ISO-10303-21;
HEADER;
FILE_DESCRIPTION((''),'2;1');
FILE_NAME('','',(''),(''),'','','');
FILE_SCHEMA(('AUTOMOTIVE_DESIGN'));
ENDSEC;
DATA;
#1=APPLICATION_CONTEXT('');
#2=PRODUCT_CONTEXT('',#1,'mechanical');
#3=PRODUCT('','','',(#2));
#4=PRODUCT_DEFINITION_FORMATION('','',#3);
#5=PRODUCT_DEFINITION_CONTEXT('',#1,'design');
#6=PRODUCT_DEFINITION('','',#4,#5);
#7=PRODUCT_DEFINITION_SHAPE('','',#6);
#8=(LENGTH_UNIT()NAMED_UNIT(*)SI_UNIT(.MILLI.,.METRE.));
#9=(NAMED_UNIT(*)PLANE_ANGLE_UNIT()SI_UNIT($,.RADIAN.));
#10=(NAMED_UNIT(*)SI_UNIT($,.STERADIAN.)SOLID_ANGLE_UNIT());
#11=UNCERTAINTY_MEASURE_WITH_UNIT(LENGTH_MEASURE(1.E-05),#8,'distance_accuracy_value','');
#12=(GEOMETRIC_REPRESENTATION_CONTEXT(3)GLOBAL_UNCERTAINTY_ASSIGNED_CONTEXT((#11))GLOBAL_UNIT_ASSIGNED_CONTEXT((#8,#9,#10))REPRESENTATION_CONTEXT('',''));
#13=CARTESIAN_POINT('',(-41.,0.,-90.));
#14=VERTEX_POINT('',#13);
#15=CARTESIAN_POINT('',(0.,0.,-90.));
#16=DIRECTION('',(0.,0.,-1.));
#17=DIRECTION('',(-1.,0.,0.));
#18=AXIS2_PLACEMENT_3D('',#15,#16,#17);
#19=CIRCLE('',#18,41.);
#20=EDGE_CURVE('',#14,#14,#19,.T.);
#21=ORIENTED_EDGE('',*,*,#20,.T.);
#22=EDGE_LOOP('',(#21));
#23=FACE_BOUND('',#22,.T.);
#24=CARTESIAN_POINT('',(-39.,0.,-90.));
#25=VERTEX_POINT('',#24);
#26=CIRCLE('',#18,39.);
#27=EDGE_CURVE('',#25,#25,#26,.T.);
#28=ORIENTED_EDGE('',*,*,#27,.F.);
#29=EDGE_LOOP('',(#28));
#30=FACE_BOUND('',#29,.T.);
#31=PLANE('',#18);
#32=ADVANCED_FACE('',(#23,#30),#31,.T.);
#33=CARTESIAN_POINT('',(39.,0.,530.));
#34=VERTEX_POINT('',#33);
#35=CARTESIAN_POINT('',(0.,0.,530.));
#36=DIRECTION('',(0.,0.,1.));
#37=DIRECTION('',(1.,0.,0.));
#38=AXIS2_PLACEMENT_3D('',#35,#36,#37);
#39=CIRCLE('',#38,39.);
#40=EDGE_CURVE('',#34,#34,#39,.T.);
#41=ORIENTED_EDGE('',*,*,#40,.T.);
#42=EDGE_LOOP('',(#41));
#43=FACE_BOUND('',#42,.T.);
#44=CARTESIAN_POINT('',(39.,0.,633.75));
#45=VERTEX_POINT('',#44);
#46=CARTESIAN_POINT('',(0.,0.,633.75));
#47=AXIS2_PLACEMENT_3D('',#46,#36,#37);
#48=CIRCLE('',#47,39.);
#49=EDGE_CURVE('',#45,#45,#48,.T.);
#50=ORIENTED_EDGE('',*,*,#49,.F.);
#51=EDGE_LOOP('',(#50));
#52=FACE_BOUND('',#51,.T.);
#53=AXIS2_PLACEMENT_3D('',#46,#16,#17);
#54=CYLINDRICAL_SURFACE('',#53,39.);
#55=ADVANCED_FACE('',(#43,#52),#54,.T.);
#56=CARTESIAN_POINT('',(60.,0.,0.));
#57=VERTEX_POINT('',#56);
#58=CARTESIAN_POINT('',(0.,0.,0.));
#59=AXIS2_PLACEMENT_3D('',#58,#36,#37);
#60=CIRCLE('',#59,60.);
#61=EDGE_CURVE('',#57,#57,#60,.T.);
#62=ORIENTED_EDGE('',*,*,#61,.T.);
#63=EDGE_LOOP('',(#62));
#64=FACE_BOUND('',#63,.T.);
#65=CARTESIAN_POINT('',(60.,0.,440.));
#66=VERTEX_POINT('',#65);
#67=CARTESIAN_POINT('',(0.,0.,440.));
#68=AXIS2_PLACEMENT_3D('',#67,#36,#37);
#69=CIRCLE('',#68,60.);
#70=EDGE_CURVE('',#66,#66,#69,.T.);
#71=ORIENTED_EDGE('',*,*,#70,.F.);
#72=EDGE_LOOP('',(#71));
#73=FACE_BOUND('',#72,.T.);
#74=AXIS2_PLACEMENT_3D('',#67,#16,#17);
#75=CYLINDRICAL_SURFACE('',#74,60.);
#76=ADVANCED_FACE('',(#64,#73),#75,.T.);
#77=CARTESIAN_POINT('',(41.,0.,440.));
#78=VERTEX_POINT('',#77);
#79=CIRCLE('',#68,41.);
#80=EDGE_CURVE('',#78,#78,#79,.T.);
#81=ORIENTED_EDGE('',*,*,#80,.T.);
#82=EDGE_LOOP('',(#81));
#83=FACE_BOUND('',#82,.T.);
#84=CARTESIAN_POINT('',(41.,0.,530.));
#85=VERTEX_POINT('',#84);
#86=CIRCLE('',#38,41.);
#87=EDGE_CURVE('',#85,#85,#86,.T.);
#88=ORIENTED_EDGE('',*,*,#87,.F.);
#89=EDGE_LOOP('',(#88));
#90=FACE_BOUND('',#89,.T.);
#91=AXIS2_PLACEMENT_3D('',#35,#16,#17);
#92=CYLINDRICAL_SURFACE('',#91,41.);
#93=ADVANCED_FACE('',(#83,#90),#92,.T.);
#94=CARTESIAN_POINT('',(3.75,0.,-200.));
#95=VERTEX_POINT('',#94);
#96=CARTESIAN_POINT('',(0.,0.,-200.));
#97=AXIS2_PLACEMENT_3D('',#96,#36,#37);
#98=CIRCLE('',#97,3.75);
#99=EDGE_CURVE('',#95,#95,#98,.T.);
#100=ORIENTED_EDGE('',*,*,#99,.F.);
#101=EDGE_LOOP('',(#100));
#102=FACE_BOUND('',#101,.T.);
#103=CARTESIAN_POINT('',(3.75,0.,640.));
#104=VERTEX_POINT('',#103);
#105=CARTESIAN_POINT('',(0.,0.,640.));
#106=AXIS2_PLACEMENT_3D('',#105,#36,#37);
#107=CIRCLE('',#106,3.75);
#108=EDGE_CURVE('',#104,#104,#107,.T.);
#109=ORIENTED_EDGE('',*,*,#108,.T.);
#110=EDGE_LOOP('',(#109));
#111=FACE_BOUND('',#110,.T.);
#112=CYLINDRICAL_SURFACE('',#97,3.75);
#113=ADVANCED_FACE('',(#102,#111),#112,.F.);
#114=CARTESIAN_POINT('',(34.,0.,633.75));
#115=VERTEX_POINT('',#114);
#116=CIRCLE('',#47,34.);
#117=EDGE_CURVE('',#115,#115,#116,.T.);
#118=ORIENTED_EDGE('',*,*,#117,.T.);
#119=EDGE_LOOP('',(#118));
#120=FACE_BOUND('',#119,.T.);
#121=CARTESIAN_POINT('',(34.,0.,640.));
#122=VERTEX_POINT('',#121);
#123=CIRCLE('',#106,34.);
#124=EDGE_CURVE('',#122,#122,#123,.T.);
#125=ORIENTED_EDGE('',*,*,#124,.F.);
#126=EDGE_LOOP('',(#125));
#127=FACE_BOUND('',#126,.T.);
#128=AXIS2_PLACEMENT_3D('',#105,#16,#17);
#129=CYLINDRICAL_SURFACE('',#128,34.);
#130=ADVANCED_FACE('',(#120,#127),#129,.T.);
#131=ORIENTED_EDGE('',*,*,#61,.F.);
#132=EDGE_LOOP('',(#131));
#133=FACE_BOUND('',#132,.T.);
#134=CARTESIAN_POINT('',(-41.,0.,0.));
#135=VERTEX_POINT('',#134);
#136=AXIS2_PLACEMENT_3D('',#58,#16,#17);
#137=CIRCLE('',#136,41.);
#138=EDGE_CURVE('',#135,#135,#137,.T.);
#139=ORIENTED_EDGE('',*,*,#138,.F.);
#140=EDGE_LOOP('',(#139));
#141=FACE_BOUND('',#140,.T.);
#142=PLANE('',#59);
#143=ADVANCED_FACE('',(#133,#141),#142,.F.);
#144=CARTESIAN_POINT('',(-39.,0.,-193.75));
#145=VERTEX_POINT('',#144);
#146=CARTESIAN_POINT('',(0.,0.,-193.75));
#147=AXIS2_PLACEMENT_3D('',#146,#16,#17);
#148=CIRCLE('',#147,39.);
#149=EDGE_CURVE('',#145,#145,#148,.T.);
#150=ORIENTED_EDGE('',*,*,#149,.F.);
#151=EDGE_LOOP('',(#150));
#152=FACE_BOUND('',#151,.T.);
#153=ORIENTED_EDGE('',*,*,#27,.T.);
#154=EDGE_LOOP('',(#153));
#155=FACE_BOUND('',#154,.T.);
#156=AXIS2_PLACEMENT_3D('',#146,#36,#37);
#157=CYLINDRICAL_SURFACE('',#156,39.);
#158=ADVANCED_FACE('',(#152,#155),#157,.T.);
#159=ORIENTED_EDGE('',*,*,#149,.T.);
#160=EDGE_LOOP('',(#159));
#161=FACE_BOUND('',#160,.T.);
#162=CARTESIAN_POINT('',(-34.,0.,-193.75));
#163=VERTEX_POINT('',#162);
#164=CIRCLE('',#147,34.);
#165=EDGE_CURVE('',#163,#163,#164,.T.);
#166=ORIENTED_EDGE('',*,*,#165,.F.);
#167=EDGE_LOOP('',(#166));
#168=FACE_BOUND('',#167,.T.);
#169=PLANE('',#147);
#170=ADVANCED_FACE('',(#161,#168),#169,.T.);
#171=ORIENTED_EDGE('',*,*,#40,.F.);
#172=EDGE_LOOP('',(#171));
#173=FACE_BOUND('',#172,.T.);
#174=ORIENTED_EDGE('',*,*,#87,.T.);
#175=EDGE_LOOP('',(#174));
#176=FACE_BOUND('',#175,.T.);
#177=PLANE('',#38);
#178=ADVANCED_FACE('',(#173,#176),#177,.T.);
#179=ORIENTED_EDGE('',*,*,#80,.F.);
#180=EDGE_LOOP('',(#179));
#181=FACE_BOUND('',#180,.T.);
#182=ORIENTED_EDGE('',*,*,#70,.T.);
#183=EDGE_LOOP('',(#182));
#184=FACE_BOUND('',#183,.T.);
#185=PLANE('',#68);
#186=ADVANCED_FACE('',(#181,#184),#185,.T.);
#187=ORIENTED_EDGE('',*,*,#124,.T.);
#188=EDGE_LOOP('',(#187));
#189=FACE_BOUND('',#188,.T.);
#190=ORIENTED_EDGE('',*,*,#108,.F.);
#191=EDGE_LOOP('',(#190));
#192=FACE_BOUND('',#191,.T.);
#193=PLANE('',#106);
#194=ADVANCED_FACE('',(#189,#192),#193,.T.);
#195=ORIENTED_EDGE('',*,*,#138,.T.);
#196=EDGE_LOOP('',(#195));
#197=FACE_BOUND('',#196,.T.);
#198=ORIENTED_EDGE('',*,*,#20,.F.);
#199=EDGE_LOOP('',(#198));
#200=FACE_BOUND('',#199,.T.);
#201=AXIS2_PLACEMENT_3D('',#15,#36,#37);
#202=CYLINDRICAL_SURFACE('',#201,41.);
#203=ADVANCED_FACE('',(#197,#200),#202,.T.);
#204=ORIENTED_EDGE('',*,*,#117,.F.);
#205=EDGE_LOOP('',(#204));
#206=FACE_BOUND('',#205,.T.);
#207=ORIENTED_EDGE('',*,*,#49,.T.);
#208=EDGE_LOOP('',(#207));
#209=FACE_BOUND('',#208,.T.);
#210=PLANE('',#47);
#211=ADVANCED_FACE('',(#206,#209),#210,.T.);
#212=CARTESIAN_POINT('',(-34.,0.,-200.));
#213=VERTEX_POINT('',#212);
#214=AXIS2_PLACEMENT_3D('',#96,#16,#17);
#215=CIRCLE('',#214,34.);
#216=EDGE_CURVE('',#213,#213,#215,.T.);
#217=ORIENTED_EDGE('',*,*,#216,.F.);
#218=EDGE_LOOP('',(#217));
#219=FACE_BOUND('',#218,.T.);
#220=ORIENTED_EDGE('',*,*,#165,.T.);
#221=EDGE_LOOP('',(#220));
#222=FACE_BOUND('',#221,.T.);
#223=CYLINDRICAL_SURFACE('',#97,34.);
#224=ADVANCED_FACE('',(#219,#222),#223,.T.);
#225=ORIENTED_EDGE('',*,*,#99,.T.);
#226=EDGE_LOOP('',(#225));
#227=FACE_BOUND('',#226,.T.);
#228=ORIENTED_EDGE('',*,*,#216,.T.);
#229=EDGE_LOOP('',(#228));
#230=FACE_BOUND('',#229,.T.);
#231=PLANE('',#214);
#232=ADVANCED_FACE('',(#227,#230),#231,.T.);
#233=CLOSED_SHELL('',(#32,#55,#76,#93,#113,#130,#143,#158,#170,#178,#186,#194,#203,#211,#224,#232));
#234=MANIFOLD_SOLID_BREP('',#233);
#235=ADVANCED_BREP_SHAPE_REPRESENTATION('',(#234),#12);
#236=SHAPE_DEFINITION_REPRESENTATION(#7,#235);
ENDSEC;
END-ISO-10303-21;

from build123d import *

# Parameters (mm, degrees)
SKETCH1_R           = 60
BOSS_EXTRUDE1_DEPTH = 440
SKETCH2_R           = 41
BOSS_EXTRUDE2_DEPTH = 90
SKETCH3_R           = 41
BOSS_EXTRUDE3_DEPTH = 90
SKETCH4_R           = 39
BOSS_EXTRUDE4_DEPTH = 103.75
SKETCH5_R           = 39
BOSS_EXTRUDE5_DEPTH = 103.75
SKETCH6_R           = 34
BOSS_EXTRUDE6_DEPTH = 6.25
SKETCH7_R           = 34
BOSS_EXTRUDE7_DEPTH = 6.25
SKETCH8_R           = 3.75
CUT_EXTRUDE1_DEPTH  = 840


with BuildPart() as part:
    # Sketch1 → Boss-Extrude1 (new body)
    with BuildSketch(Plane.XY):
        Circle(SKETCH1_R)
    extrude(amount=BOSS_EXTRUDE1_DEPTH)

    # Sketch2 → Boss-Extrude2 (add)
    with BuildSketch(Plane(origin=(0, 0, 0), x_dir=(-1, 0, 0), z_dir=(0, 0, -1))):
        Circle(SKETCH2_R)
    extrude(amount=BOSS_EXTRUDE2_DEPTH)

    # Sketch3 → Boss-Extrude3 (add)
    with BuildSketch(Plane.XY.offset(440)):
        Circle(SKETCH3_R)
    extrude(amount=BOSS_EXTRUDE3_DEPTH)

    # Sketch4 → Boss-Extrude4 (add)
    with BuildSketch(Plane.XY.offset(530)):
        Circle(SKETCH4_R)
    extrude(amount=BOSS_EXTRUDE4_DEPTH)

    # Sketch5 → Boss-Extrude5 (add)
    with BuildSketch(Plane(origin=(0, 0, -90), x_dir=(-1, 0, 0), z_dir=(0, 0, -1))):
        Circle(SKETCH5_R)
    extrude(amount=BOSS_EXTRUDE5_DEPTH)

    # Sketch6 → Boss-Extrude6 (add)
    with BuildSketch(Plane(origin=(0, 0, -193.75), x_dir=(-1, 0, 0), z_dir=(0, 0, -1))):
        Circle(SKETCH6_R)
    extrude(amount=BOSS_EXTRUDE6_DEPTH)

    # Sketch7 → Boss-Extrude7 (add)
    with BuildSketch(Plane.XY.offset(633.75)):
        Circle(SKETCH7_R)
    extrude(amount=BOSS_EXTRUDE7_DEPTH)

    # Sketch8 → Cut-Extrude1 (cut)
    with BuildSketch(Plane.XY.offset(640)):
        Circle(SKETCH8_R)
    extrude(amount=-CUT_EXTRUDE1_DEPTH, mode=Mode.SUBTRACT)


solid = part.part
